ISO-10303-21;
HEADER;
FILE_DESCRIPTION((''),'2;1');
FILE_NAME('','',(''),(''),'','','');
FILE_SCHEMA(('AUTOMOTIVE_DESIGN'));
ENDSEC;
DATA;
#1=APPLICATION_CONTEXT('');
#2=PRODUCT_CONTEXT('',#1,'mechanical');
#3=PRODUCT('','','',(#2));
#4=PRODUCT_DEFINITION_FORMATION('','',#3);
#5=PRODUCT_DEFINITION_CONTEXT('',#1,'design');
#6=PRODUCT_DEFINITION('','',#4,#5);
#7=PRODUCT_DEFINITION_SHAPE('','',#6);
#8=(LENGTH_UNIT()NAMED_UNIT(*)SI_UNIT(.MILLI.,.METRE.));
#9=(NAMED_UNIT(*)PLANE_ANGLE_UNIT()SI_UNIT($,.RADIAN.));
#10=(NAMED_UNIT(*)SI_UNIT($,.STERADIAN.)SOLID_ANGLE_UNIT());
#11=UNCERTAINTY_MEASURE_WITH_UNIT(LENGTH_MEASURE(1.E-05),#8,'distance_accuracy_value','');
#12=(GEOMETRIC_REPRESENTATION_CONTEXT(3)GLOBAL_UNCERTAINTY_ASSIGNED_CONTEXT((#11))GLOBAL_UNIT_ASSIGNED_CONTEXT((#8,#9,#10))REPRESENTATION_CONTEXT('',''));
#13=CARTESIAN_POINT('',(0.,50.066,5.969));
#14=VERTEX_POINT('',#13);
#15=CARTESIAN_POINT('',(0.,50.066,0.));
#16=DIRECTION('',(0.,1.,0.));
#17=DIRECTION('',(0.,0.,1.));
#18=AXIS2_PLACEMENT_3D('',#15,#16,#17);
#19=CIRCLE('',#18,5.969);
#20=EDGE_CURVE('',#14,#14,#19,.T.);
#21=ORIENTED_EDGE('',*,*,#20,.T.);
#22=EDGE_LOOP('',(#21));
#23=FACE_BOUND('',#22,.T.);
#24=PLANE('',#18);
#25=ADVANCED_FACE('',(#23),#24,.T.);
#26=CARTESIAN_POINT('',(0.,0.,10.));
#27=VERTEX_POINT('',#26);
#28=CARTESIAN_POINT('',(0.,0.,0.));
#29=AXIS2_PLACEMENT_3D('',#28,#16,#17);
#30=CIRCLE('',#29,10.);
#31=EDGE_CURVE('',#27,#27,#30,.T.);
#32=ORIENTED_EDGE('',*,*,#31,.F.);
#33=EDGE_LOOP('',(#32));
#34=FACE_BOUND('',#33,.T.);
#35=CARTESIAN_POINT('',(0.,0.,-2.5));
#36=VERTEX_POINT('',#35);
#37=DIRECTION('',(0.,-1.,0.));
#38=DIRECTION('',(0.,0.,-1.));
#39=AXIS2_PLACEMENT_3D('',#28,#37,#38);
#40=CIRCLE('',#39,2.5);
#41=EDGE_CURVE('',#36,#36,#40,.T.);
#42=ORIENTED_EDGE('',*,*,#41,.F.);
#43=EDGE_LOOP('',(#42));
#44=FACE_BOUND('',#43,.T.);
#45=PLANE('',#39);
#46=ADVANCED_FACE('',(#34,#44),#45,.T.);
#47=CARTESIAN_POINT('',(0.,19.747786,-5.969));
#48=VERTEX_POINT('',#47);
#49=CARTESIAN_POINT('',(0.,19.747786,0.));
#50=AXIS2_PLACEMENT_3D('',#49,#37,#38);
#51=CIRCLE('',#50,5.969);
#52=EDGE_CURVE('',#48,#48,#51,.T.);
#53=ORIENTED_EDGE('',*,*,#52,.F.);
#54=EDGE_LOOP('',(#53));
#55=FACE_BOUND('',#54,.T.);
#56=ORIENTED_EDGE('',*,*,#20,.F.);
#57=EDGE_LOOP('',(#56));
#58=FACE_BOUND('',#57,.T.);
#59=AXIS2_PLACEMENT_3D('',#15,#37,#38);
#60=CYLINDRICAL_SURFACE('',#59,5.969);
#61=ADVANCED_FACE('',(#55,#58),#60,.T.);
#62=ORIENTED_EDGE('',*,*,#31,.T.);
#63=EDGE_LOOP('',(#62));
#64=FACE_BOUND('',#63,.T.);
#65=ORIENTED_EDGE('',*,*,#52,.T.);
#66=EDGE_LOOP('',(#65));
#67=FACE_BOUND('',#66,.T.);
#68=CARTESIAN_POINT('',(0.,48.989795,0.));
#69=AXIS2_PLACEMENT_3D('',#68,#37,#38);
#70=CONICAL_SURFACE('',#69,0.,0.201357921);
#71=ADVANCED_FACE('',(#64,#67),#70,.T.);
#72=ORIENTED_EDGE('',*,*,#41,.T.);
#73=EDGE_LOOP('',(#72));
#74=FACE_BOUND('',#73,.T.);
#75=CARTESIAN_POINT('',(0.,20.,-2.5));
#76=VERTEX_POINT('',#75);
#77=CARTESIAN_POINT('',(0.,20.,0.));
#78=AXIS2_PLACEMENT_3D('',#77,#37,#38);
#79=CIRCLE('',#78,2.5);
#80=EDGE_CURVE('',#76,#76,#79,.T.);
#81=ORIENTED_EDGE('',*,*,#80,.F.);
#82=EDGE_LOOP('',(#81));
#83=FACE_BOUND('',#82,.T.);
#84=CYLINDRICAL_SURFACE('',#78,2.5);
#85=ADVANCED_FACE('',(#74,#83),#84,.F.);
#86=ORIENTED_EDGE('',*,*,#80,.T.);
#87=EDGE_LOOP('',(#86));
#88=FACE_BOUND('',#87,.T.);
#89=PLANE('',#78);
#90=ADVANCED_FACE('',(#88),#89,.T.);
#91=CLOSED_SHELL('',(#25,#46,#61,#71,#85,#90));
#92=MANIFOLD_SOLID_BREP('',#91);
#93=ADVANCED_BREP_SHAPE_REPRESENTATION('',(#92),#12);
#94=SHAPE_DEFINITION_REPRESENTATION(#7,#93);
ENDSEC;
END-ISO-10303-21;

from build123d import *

# Parameters (mm, degrees)
SKETCH2_R           = 5.969
BOSS_EXTRUDE1_DEPTH = 50.066
SKETCH7_R           = 2.5
CUT_EXTRUDE2_DEPTH  = 20


with BuildPart() as part:
    # Sketch1 → Revolve1 (revolve)
    with BuildSketch(Plane.XY, mode=Mode.PRIVATE) as revolve1_sk:
        Polygon((0, 0), (-10, 0), (0, 48.989794856), align=None)
    revolve(revolve1_sk.sketch.rotate(Axis((0, 48.989794856, 0), (0, -1, 0)), 90), axis=Axis((0, 48.989794856, 0), (0, -1, 0)))

    # Sketch2 → Boss-Extrude1 (add)
    with BuildSketch(Plane(origin=(0, 0, 0), x_dir=(1, 0, 0), z_dir=(0, 1, 0))):
        with Locations(Location((0, 0, 0), (0, 0, 90))):
            Circle(SKETCH2_R)
    extrude(amount=BOSS_EXTRUDE1_DEPTH)

    # Sketch7 → Cut-Extrude2 (cut)
    with BuildSketch(Plane.XZ):
        with Locations(Location((0, 0, 0), (0, 0, 270))):
            Circle(SKETCH7_R)
    extrude(amount=-CUT_EXTRUDE2_DEPTH, mode=Mode.SUBTRACT)


solid = part.part
